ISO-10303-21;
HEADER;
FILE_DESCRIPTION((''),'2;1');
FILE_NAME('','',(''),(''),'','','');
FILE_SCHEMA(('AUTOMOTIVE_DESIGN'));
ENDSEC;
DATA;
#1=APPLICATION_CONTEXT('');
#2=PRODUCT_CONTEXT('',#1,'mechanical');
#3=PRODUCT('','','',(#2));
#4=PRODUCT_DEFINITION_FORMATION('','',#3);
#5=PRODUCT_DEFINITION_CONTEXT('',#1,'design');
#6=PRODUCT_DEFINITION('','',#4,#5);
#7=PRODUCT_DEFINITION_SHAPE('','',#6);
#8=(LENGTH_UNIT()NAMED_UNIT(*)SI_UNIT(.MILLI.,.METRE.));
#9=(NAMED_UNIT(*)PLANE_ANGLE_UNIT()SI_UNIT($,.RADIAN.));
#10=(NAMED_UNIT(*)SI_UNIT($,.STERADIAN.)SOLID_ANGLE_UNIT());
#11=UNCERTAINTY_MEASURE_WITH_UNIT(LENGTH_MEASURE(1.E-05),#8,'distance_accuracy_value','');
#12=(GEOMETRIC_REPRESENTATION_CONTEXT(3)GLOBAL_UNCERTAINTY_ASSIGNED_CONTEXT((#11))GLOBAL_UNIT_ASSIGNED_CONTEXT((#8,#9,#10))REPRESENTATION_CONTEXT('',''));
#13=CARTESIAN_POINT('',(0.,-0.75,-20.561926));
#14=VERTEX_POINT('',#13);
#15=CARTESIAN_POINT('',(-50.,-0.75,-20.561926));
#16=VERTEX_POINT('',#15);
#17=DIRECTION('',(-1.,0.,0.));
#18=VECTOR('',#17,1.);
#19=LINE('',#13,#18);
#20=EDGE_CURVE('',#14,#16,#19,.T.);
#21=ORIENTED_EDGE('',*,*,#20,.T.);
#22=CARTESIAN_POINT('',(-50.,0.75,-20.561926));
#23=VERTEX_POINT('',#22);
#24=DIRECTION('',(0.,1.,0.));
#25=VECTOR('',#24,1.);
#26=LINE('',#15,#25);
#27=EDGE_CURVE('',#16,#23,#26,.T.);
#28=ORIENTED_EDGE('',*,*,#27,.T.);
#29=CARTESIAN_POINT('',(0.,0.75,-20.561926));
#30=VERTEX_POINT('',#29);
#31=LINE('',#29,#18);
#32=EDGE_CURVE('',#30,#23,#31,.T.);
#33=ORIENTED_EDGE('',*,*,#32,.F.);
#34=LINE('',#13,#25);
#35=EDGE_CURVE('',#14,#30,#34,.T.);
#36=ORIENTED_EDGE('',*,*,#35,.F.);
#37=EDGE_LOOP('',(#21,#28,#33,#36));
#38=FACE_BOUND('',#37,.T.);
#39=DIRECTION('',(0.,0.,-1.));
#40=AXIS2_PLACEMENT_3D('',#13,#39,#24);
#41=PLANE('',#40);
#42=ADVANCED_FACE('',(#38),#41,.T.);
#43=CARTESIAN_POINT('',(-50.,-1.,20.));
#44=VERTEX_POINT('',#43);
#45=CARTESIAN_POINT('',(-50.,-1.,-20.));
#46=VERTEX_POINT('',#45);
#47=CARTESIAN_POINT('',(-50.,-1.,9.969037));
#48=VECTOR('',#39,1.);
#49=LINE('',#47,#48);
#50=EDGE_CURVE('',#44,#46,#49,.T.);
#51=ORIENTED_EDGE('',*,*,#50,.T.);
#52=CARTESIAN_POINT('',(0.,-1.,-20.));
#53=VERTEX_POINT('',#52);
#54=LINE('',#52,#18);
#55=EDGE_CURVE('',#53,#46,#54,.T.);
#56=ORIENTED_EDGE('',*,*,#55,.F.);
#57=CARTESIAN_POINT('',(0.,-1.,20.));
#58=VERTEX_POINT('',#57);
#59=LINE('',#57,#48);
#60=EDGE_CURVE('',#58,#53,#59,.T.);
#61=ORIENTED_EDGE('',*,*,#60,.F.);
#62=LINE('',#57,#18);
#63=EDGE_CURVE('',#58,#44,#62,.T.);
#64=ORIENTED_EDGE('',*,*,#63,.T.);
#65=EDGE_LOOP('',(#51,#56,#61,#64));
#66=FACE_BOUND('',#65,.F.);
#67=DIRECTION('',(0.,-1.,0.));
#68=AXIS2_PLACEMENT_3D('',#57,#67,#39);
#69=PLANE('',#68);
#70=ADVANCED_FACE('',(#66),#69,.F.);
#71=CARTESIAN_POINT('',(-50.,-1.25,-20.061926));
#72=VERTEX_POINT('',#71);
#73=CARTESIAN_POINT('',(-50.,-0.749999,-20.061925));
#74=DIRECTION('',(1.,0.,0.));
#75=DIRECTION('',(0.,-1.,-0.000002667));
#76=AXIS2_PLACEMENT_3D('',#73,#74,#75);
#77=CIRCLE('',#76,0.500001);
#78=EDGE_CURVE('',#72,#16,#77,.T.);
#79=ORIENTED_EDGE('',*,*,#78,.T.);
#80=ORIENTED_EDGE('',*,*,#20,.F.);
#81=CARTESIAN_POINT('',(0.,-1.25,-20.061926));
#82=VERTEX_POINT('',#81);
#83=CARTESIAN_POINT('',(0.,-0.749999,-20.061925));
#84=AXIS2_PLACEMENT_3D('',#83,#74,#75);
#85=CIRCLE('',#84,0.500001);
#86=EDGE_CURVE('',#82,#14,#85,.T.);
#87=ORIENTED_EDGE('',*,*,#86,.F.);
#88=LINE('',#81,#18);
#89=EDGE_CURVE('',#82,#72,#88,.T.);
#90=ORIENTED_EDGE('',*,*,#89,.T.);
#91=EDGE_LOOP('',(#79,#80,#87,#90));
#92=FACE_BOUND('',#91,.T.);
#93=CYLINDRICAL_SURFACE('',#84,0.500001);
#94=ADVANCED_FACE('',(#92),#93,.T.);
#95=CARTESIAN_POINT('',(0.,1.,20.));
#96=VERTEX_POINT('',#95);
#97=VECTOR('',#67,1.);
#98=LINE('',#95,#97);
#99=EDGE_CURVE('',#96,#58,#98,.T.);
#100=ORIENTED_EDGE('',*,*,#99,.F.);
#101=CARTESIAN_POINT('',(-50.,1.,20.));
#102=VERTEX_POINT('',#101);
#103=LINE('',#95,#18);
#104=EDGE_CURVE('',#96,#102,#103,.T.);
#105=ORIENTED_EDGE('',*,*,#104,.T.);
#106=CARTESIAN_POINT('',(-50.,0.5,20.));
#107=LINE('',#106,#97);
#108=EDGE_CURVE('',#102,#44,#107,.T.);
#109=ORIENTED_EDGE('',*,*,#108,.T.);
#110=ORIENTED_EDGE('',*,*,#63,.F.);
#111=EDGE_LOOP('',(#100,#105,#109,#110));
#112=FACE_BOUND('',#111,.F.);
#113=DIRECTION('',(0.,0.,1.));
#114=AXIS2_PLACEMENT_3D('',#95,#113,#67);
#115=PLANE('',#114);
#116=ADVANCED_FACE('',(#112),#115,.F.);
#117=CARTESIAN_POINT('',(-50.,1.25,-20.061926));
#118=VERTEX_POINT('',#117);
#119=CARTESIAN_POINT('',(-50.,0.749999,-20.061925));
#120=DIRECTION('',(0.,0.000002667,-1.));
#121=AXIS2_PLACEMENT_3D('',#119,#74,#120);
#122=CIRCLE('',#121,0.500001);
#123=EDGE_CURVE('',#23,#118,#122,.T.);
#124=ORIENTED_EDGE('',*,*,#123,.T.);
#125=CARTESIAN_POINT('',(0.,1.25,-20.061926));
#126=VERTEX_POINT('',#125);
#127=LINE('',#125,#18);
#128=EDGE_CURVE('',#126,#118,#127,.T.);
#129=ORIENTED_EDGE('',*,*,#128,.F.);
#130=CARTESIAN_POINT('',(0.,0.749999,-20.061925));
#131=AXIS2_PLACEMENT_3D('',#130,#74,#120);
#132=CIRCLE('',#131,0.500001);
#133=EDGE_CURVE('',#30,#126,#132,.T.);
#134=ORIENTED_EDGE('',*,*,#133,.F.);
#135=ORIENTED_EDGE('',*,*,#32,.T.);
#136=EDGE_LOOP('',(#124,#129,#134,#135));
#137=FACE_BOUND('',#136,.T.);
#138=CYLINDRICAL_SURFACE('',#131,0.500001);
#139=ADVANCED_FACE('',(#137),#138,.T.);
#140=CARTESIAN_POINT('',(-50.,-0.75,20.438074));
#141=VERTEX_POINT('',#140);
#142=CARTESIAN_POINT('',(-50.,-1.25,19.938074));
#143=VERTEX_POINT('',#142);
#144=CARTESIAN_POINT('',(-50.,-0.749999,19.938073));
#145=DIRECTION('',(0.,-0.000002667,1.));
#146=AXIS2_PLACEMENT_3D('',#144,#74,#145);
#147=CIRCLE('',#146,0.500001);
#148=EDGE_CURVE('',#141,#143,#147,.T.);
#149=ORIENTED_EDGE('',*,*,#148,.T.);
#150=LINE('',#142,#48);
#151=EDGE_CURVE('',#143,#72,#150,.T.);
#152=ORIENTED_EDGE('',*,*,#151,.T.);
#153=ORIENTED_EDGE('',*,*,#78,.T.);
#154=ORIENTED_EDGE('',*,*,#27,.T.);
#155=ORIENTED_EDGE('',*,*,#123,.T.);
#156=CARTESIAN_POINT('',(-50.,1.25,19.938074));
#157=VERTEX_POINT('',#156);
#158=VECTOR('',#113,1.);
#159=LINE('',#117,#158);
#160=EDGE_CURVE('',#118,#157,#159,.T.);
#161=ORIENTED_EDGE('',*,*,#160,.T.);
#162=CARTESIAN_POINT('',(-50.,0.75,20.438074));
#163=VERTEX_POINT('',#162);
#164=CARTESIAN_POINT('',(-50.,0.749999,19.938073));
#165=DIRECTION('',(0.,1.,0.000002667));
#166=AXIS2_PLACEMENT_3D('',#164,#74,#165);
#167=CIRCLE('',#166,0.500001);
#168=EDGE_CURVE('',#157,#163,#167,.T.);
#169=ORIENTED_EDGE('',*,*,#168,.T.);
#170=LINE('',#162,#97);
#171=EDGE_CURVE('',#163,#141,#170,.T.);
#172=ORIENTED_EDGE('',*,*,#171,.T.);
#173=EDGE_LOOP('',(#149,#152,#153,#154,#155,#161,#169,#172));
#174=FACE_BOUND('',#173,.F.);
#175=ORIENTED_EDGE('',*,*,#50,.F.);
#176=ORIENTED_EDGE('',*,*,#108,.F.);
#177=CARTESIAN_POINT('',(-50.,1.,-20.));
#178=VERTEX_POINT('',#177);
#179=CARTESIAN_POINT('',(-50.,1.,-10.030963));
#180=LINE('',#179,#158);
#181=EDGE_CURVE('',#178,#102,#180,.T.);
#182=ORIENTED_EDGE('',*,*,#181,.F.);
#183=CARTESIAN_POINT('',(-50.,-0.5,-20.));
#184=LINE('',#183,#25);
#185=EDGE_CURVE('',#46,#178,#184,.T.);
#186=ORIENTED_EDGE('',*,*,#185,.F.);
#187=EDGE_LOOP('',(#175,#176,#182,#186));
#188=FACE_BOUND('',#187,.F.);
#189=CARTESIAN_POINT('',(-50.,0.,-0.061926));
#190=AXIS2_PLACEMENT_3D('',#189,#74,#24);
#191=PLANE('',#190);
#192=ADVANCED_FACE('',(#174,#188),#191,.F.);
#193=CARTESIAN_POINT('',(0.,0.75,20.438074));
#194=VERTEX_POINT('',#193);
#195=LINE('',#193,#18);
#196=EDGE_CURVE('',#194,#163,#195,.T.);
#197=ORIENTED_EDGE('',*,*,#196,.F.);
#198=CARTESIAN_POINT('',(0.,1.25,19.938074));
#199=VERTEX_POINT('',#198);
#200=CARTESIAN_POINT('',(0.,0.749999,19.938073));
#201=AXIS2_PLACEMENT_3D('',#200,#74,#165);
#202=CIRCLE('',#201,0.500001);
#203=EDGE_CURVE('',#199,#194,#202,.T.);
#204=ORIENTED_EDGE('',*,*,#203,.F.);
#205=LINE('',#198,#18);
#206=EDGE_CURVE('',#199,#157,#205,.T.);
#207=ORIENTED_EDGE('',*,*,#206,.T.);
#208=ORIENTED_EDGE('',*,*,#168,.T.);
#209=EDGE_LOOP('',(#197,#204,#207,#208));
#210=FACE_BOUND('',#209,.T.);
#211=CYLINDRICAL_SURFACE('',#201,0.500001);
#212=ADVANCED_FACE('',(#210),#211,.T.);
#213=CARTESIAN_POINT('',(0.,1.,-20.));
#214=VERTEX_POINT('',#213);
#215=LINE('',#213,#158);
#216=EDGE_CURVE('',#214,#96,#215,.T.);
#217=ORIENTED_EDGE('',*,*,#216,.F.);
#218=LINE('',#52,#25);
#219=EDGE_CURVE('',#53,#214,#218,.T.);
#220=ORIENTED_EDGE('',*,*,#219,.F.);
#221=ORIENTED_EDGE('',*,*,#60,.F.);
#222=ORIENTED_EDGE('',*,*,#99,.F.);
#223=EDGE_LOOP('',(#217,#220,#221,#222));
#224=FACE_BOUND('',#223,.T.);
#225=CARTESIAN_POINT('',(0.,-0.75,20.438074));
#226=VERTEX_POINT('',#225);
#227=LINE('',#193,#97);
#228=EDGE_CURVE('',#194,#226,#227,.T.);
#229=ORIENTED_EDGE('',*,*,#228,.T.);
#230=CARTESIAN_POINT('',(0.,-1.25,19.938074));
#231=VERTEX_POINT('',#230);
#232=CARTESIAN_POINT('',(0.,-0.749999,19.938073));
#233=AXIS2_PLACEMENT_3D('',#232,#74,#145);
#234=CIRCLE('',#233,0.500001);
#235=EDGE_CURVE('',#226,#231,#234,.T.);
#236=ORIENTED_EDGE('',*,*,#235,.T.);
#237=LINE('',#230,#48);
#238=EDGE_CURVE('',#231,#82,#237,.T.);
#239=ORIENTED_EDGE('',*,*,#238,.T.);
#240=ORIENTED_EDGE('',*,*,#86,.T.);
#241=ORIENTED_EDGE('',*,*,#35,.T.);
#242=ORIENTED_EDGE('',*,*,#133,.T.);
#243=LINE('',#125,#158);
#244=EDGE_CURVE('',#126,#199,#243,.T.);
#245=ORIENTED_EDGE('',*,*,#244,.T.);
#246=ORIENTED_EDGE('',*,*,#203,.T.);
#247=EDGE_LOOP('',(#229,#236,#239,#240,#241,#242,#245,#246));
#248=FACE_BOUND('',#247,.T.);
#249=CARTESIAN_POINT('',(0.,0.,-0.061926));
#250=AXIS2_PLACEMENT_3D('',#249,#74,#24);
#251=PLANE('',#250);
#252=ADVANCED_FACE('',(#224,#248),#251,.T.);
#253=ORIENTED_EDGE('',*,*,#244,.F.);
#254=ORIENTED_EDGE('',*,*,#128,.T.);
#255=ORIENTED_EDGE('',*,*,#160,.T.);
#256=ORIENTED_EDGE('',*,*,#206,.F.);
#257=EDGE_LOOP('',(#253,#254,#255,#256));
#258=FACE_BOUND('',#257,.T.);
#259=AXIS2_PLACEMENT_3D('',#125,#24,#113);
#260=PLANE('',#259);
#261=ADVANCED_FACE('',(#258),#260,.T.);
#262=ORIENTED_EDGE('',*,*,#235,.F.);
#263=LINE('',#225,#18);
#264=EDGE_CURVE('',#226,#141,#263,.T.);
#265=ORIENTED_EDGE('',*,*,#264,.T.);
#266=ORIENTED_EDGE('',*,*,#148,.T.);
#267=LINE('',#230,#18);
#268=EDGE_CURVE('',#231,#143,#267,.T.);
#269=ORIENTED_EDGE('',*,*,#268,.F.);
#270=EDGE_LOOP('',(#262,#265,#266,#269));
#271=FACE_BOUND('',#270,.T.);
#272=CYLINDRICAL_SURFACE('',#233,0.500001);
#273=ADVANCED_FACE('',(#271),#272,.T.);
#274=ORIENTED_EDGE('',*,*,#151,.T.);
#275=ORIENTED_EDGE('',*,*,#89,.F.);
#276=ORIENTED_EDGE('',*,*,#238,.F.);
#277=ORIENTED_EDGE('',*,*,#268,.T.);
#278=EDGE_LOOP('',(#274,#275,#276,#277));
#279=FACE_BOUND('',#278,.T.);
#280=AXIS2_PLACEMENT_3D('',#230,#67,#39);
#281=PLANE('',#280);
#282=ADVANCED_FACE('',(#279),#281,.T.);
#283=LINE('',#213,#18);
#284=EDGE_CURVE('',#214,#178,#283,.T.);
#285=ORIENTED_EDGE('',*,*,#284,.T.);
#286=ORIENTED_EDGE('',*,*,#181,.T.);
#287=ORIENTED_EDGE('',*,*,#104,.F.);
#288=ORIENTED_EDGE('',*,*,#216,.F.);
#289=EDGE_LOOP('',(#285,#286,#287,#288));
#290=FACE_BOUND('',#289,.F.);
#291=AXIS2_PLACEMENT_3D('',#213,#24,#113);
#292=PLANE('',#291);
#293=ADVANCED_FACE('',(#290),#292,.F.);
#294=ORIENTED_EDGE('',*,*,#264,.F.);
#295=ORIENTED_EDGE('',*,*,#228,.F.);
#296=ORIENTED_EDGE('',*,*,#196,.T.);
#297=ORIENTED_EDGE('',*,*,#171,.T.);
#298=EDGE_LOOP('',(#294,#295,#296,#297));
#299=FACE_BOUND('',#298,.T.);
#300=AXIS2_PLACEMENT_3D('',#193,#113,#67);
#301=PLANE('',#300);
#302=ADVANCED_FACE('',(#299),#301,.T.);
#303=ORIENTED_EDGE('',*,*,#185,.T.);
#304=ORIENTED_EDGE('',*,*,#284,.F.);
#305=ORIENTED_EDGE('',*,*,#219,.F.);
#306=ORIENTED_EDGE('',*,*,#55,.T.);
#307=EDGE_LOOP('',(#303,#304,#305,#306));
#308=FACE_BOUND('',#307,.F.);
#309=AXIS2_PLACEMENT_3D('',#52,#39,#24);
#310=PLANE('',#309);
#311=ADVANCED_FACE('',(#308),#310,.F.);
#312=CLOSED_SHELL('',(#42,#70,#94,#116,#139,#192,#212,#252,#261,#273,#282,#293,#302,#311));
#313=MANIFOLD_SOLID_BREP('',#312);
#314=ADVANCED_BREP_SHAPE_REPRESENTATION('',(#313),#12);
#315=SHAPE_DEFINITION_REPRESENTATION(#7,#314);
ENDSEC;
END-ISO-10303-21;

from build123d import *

# Parameters (mm, degrees)
F2_DEPTH = 50
F3_DEPTH = 50.001


with BuildPart() as f2:
    # F1 (on Right) → F2 (new body)
    with BuildSketch(Plane.YZ):
        with BuildLine():
            ThreePointArc((0.75, -20.561926), (1.103553, -20.415479), (1.25, -20.061926))
            Line((1.25, -20.061926), (1.25, 19.938074))
            ThreePointArc((1.25, 19.938074), (1.103553, 20.291627), (0.75, 20.438074))
            Line((0.75, 20.438074), (-0.75, 20.438074))
            ThreePointArc((-0.75, 20.438074), (-1.103553, 20.291627), (-1.25, 19.938074))
            Line((-1.25, 19.938074), (-1.25, -20.061926))
            ThreePointArc((-1.25, -20.061926), (-1.103553, -20.415479), (-0.75, -20.561926))
            Line((-0.75, -20.561926), (0.75, -20.561926))
        make_face()
    extrude(amount=-F2_DEPTH)

    # F0 (on Right) → F3 (cut, through all)
    with BuildSketch(Plane.YZ):
        Polygon((1, -20), (1, 0), (1, 20), (-1, 20), (-1, -20), align=None)
    extrude(amount=-F3_DEPTH, mode=Mode.SUBTRACT)


solid = f2.part
